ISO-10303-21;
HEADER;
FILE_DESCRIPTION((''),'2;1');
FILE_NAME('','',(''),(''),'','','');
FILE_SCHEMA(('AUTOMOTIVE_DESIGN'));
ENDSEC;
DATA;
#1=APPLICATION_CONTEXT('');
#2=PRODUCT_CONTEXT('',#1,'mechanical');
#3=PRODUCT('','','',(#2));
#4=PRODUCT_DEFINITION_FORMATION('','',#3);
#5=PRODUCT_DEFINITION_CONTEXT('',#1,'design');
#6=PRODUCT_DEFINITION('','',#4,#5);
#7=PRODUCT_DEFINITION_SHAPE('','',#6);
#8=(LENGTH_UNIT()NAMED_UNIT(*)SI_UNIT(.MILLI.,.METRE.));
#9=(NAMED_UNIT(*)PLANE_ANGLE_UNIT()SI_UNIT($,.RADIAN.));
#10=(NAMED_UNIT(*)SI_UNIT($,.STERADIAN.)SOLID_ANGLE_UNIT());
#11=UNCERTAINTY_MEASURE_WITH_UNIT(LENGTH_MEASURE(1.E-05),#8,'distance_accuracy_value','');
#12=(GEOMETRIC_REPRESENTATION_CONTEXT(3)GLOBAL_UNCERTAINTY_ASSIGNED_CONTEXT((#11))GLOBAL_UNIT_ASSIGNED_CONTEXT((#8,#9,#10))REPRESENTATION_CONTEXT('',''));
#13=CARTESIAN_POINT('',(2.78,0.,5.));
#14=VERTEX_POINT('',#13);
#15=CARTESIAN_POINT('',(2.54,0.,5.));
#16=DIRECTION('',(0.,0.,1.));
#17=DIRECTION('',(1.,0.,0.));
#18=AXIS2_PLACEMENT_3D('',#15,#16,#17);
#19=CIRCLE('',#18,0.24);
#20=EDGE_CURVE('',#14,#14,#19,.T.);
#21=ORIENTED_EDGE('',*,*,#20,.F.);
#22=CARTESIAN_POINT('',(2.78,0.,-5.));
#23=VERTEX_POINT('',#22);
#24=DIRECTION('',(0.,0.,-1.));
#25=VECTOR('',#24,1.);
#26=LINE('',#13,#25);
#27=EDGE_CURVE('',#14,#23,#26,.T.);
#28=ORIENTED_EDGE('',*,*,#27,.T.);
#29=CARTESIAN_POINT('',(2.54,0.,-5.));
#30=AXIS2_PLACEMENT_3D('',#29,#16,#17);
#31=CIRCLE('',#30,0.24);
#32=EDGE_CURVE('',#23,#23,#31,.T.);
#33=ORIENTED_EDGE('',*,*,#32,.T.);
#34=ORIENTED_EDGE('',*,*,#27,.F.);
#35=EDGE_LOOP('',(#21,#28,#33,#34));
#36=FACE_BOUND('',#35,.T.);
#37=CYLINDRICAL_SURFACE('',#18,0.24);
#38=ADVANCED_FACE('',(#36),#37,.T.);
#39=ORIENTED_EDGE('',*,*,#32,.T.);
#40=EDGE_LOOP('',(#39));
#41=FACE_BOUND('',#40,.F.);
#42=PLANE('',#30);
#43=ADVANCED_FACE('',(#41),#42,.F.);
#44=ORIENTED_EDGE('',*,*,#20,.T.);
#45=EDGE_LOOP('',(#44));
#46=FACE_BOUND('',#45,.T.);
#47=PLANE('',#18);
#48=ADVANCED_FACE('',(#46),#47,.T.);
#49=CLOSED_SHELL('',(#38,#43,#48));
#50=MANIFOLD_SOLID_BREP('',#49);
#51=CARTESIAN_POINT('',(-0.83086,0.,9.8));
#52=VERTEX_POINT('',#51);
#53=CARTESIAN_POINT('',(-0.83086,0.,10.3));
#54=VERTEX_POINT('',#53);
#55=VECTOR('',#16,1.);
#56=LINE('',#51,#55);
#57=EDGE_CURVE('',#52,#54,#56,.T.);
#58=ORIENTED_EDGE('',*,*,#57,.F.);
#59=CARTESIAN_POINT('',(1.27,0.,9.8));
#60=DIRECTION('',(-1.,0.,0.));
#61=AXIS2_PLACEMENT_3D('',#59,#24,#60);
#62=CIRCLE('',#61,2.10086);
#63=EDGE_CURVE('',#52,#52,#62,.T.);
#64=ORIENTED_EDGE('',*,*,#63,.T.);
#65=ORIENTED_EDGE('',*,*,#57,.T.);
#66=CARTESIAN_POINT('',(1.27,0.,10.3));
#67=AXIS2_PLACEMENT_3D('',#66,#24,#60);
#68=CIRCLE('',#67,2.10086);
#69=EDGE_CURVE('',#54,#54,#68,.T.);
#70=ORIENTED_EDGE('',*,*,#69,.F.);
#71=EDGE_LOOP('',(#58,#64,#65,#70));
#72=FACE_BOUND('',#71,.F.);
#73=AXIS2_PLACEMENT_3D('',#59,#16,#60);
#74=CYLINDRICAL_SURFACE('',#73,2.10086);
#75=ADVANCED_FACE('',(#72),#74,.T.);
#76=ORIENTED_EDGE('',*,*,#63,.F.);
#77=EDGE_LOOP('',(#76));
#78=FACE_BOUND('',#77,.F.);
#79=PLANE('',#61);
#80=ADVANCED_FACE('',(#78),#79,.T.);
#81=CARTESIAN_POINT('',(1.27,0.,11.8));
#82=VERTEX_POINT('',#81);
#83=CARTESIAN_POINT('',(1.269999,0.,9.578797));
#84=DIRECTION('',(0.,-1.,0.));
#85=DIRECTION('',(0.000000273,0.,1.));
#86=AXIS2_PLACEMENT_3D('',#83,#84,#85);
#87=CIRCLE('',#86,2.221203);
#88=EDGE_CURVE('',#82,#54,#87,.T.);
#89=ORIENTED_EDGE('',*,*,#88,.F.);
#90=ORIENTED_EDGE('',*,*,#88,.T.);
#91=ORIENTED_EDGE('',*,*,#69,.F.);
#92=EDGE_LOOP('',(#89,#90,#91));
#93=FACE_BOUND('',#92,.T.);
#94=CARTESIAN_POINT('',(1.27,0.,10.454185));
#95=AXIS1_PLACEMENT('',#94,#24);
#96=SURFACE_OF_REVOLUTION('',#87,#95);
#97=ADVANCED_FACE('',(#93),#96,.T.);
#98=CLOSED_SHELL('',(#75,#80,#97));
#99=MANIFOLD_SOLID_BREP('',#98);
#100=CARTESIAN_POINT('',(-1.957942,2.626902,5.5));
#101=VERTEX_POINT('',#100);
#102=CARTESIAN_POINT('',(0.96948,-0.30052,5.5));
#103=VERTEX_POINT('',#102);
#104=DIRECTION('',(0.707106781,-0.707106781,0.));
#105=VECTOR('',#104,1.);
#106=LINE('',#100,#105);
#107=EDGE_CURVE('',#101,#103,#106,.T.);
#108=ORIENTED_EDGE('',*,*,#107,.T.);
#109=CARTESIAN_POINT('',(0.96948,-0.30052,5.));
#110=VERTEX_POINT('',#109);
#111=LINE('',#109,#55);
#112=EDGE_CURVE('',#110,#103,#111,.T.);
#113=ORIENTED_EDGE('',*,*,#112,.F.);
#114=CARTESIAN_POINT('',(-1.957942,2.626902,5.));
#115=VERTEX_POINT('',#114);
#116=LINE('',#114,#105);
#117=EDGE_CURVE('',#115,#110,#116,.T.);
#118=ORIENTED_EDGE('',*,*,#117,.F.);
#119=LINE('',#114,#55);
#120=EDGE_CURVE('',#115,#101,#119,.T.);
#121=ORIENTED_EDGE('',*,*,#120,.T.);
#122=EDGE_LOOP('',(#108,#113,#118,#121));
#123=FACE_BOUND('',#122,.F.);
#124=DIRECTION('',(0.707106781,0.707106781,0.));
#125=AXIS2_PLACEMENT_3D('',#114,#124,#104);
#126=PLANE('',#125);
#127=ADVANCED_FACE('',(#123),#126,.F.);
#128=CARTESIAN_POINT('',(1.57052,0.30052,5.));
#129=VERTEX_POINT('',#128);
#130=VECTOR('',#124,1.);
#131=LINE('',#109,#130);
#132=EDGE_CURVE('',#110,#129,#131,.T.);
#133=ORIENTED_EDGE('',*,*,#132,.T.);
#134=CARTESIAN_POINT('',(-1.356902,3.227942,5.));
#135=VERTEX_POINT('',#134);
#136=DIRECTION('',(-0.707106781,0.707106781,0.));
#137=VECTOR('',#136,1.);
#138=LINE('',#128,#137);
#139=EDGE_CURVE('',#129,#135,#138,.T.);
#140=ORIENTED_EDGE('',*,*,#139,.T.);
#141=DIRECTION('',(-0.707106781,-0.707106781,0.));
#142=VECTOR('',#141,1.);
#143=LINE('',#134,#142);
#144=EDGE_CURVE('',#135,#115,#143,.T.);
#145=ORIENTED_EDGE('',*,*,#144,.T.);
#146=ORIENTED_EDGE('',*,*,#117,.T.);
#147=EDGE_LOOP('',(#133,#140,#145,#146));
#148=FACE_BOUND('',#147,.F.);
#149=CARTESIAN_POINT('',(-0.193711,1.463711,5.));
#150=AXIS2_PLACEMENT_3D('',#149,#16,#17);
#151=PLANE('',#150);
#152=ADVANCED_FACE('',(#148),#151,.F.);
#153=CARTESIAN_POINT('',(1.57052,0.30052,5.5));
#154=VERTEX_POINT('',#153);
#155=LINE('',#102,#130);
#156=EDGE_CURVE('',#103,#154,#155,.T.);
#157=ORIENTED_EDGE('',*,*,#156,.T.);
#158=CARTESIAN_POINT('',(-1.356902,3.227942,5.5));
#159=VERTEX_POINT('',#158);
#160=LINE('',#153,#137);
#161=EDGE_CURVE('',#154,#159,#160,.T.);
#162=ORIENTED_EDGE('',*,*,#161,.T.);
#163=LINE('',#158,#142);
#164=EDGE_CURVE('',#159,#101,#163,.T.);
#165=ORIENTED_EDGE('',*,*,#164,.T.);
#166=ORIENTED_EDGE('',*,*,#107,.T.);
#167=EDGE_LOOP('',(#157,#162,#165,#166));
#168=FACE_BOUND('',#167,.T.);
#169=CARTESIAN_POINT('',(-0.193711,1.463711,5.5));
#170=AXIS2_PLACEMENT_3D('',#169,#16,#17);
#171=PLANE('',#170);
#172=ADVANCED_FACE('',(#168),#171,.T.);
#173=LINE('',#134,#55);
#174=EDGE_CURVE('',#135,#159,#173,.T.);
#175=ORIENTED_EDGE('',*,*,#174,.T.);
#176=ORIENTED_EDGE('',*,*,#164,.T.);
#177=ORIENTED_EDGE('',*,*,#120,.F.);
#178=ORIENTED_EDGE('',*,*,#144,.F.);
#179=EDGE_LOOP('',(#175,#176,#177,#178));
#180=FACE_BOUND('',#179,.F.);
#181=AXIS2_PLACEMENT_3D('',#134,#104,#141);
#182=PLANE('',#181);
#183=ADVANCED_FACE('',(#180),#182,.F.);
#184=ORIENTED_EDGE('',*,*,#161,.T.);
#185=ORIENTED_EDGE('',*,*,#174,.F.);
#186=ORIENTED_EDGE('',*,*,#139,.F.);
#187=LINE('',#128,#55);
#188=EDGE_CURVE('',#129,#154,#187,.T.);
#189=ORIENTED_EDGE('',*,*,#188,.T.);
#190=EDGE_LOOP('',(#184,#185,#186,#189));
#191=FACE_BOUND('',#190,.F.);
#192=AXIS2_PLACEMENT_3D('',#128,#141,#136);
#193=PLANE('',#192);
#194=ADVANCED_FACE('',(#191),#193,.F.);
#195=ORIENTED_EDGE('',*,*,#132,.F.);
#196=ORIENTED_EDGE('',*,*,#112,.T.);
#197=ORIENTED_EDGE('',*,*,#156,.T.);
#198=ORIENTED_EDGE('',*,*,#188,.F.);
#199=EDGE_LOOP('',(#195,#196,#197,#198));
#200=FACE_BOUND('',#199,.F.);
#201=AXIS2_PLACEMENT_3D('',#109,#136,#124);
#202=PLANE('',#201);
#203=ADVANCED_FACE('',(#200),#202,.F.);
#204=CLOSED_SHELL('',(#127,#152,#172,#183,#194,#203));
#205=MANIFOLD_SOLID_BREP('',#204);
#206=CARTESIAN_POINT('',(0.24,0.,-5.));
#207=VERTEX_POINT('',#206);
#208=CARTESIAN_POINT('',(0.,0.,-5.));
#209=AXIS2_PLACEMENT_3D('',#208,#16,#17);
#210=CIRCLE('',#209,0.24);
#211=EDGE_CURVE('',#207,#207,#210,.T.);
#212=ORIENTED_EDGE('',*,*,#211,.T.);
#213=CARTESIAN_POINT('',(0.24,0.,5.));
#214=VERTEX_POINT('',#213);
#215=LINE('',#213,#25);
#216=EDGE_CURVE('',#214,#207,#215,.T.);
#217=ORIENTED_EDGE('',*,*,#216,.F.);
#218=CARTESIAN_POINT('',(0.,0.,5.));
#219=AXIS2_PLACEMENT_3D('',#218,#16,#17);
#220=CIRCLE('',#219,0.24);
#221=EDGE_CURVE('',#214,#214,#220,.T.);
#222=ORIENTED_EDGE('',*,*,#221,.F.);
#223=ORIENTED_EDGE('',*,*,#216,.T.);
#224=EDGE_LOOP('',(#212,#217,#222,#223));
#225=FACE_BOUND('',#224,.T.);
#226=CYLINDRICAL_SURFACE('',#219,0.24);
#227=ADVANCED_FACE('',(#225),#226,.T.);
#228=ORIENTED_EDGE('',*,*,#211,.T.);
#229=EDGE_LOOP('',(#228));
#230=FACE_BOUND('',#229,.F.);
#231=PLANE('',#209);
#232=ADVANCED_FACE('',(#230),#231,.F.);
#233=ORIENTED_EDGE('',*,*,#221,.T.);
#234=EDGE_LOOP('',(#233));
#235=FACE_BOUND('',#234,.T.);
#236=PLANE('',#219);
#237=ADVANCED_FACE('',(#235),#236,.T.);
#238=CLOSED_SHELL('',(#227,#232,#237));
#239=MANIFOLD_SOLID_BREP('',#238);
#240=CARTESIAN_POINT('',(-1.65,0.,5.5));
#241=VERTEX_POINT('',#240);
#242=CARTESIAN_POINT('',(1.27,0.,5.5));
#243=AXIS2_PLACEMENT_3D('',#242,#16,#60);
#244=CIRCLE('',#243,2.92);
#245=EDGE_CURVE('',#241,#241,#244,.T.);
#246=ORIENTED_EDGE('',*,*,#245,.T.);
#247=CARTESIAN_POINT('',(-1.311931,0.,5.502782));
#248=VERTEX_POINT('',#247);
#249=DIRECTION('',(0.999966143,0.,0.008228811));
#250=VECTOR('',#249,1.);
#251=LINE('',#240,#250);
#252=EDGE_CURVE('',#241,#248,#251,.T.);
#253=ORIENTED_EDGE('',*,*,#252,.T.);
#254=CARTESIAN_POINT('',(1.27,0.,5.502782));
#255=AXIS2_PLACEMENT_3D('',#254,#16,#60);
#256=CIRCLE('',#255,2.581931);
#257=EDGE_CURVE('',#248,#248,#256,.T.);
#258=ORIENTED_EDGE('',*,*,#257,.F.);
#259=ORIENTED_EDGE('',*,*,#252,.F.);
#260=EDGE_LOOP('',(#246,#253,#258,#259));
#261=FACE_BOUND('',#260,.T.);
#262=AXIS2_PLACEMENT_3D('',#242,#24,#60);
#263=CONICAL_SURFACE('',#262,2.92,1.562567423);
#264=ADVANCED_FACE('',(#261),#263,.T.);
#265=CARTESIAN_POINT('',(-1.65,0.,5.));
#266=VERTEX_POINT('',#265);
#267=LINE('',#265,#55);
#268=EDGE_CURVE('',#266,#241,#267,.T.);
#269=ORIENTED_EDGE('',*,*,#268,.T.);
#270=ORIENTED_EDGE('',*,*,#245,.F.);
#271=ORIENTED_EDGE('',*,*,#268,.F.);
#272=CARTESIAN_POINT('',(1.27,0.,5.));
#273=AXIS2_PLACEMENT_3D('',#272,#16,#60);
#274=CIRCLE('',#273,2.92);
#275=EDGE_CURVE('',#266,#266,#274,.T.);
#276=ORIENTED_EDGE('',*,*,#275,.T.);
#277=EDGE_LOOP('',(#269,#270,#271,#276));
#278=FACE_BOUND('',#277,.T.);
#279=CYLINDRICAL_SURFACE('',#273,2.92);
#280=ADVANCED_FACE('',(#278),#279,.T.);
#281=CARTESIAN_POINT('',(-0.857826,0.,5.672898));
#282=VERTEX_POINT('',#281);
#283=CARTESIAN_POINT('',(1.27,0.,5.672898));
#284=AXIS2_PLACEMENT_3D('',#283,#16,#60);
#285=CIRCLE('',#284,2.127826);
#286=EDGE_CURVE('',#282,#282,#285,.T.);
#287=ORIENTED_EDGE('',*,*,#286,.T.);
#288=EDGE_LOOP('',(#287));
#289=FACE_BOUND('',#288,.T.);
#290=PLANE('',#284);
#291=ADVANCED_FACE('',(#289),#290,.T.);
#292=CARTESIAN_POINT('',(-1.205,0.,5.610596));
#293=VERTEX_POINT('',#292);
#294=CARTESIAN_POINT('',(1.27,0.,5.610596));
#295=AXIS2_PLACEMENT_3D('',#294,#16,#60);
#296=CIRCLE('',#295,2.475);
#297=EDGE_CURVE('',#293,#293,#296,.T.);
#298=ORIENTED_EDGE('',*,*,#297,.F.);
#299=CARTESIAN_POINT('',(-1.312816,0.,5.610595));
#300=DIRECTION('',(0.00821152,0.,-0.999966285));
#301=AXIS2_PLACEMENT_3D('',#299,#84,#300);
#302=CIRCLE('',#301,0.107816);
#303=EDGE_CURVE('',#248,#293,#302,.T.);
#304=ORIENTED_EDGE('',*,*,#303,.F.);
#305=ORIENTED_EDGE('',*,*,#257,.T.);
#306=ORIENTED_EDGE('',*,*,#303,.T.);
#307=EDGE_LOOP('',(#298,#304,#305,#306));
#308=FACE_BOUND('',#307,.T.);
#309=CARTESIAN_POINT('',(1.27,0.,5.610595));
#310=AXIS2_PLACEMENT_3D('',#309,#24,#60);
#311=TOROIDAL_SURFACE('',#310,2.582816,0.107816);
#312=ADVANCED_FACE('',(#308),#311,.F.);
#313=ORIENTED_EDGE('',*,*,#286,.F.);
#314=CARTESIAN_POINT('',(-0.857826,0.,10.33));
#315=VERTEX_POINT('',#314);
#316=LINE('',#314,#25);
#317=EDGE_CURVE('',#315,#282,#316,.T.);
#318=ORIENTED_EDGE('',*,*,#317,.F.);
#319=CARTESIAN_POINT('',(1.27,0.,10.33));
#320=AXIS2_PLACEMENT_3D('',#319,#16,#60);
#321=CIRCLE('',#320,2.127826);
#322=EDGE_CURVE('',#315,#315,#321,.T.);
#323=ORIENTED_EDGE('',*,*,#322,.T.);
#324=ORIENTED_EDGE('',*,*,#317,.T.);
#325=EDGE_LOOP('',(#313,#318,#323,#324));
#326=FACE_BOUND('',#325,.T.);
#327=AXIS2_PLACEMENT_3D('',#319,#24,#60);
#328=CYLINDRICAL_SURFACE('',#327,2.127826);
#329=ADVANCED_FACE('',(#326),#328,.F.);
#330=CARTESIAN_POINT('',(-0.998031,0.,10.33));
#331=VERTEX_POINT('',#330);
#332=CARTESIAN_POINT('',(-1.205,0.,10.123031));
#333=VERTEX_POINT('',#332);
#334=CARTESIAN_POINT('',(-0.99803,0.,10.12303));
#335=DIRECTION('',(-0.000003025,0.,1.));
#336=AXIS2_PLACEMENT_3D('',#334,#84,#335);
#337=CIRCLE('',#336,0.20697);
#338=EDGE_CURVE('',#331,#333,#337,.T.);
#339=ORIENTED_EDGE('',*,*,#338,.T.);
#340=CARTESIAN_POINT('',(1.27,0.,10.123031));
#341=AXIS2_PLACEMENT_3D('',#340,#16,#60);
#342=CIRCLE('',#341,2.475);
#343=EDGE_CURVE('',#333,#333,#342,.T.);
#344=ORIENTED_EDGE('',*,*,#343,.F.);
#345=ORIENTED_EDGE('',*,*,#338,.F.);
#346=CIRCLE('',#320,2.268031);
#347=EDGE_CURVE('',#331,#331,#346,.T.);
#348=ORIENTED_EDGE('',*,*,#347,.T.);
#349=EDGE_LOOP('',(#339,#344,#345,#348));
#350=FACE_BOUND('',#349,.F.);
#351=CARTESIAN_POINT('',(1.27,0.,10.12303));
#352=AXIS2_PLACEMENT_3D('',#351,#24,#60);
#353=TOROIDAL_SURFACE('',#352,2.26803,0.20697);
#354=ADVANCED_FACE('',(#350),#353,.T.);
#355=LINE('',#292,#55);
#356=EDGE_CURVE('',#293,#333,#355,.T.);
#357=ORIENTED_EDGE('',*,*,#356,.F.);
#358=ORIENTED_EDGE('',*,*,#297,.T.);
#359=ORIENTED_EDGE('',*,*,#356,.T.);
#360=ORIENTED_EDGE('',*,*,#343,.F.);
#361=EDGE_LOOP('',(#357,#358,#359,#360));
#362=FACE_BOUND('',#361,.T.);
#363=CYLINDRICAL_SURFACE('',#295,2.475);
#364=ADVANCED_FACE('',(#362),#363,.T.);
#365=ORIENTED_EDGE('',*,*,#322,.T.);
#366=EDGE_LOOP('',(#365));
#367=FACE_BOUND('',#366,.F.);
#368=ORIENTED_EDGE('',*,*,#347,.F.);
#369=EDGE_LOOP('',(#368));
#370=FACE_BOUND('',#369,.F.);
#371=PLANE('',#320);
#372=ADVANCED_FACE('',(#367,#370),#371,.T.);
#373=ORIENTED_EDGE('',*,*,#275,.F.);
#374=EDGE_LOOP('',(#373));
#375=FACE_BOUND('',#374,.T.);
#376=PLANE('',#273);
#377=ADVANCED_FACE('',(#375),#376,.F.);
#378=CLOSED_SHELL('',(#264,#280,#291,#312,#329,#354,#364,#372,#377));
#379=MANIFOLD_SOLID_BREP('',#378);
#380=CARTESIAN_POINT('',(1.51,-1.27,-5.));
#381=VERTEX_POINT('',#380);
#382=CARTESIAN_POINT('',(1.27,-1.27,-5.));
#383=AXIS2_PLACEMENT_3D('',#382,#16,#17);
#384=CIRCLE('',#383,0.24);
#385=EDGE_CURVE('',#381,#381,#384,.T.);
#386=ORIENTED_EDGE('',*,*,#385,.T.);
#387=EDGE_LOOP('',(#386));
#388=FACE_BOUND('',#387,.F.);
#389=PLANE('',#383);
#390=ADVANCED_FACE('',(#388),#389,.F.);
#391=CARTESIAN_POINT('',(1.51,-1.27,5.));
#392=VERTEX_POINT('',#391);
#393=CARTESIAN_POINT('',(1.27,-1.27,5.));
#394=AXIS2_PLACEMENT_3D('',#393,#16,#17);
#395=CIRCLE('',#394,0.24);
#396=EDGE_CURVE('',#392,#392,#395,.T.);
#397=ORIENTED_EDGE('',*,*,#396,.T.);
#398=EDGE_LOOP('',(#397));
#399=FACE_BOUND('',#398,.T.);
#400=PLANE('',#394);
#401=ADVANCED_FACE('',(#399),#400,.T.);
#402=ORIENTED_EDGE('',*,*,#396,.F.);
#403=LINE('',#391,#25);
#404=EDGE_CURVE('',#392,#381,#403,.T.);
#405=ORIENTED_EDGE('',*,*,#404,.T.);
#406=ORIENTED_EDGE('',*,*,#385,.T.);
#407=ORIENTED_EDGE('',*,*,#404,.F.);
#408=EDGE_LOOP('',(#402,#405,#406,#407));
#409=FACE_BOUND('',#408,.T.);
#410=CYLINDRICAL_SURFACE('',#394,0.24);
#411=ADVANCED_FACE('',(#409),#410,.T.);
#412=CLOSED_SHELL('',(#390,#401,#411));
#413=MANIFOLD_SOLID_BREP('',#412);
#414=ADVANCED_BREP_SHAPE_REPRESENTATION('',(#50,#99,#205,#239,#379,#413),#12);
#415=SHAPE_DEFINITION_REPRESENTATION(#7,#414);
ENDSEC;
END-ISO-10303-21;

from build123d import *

# Parameters (mm, degrees)
SKETCH_R     = 0.24
PAD_DEPTH    = 10
SKETCH001_R  = 0.24
PAD002_DEPTH = 10
PAD003_DEPTH = 0.5
SKETCH005_R  = 0.24
PAD004_DEPTH = 10


with BuildPart() as pad:
    # Sketch → Pad (new body)
    with BuildSketch(Plane.XY.offset(5)):
        Circle(SKETCH_R)
    extrude(amount=-PAD_DEPTH)


with BuildPart() as pad002:
    # Sketch001 → Pad002 (new body)
    with BuildSketch(Plane.XY.offset(5)):
        with Locations((2.54, 0)):
            Circle(SKETCH001_R)
    extrude(amount=-PAD002_DEPTH)


with BuildPart() as revolution:
    # Sketch003 → Revolution (revolve)
    with BuildSketch(Plane.XZ):
        with BuildLine():
            Line((1.27, 5), (-1.65, 5))
            Line((-1.65, 5), (-1.65, 5.5))
            Line((-1.65, 5.5), (-1.311931, 5.502782))
            ThreePointArc((-1.311931, 5.502782), (-1.236266, 5.534671), (-1.205, 5.610596))
            Line((-1.205, 5.610596), (-1.205, 10.123031))
            ThreePointArc((-0.998031, 10.33), (-1.14438, 10.26938), (-1.205, 10.123031))
            Line((-0.857826, 10.33), (-0.998031, 10.33))
            Line((-0.857826, 10.33), (-0.857826, 5.672898))
            Line((-0.857826, 5.672898), (1.27, 5.672898))
            Line((1.27, 5.672898), (1.27, 5))
        make_face()
    revolve(axis=Axis((1.27, 0, 2.550668), (0, 0, 1)))


with BuildPart() as pad003:
    # Sketch004 → Pad003 (new body)
    with BuildSketch(Plane.XY.offset(5)):
        Polygon((1.57052, 0.30052), (-1.356902, 3.227942), (-1.957942, 2.626902), (0.96948, -0.30052), align=None)
    extrude(amount=PAD003_DEPTH)


with BuildPart() as pad004:
    # Sketch005 → Pad004 (new body)
    with BuildSketch(Plane.XY.offset(5)):
        with Locations((1.27, -1.27)):
            Circle(SKETCH005_R)
    extrude(amount=-PAD004_DEPTH)


with BuildPart() as revolution001:
    # Sketch006 → Revolution001 (revolve)
    with BuildSketch(Plane.XZ):
        with BuildLine():
            ThreePointArc((1.27, 11.8), (-0.020699, 11.386514), (-0.83086, 10.3))
            Line((-0.83086, 9.8), (-0.83086, 10.3))
            Line((1.27, 9.8), (-0.83086, 9.8))
            Line((1.27, 11.8), (1.27, 9.8))
        make_face()
    revolve(axis=Axis((1.27, 0, 10.454185), (0, 0, -1)))


solid = Compound([pad.part, pad002.part, revolution.part, pad003.part, pad004.part, revolution001.part])
